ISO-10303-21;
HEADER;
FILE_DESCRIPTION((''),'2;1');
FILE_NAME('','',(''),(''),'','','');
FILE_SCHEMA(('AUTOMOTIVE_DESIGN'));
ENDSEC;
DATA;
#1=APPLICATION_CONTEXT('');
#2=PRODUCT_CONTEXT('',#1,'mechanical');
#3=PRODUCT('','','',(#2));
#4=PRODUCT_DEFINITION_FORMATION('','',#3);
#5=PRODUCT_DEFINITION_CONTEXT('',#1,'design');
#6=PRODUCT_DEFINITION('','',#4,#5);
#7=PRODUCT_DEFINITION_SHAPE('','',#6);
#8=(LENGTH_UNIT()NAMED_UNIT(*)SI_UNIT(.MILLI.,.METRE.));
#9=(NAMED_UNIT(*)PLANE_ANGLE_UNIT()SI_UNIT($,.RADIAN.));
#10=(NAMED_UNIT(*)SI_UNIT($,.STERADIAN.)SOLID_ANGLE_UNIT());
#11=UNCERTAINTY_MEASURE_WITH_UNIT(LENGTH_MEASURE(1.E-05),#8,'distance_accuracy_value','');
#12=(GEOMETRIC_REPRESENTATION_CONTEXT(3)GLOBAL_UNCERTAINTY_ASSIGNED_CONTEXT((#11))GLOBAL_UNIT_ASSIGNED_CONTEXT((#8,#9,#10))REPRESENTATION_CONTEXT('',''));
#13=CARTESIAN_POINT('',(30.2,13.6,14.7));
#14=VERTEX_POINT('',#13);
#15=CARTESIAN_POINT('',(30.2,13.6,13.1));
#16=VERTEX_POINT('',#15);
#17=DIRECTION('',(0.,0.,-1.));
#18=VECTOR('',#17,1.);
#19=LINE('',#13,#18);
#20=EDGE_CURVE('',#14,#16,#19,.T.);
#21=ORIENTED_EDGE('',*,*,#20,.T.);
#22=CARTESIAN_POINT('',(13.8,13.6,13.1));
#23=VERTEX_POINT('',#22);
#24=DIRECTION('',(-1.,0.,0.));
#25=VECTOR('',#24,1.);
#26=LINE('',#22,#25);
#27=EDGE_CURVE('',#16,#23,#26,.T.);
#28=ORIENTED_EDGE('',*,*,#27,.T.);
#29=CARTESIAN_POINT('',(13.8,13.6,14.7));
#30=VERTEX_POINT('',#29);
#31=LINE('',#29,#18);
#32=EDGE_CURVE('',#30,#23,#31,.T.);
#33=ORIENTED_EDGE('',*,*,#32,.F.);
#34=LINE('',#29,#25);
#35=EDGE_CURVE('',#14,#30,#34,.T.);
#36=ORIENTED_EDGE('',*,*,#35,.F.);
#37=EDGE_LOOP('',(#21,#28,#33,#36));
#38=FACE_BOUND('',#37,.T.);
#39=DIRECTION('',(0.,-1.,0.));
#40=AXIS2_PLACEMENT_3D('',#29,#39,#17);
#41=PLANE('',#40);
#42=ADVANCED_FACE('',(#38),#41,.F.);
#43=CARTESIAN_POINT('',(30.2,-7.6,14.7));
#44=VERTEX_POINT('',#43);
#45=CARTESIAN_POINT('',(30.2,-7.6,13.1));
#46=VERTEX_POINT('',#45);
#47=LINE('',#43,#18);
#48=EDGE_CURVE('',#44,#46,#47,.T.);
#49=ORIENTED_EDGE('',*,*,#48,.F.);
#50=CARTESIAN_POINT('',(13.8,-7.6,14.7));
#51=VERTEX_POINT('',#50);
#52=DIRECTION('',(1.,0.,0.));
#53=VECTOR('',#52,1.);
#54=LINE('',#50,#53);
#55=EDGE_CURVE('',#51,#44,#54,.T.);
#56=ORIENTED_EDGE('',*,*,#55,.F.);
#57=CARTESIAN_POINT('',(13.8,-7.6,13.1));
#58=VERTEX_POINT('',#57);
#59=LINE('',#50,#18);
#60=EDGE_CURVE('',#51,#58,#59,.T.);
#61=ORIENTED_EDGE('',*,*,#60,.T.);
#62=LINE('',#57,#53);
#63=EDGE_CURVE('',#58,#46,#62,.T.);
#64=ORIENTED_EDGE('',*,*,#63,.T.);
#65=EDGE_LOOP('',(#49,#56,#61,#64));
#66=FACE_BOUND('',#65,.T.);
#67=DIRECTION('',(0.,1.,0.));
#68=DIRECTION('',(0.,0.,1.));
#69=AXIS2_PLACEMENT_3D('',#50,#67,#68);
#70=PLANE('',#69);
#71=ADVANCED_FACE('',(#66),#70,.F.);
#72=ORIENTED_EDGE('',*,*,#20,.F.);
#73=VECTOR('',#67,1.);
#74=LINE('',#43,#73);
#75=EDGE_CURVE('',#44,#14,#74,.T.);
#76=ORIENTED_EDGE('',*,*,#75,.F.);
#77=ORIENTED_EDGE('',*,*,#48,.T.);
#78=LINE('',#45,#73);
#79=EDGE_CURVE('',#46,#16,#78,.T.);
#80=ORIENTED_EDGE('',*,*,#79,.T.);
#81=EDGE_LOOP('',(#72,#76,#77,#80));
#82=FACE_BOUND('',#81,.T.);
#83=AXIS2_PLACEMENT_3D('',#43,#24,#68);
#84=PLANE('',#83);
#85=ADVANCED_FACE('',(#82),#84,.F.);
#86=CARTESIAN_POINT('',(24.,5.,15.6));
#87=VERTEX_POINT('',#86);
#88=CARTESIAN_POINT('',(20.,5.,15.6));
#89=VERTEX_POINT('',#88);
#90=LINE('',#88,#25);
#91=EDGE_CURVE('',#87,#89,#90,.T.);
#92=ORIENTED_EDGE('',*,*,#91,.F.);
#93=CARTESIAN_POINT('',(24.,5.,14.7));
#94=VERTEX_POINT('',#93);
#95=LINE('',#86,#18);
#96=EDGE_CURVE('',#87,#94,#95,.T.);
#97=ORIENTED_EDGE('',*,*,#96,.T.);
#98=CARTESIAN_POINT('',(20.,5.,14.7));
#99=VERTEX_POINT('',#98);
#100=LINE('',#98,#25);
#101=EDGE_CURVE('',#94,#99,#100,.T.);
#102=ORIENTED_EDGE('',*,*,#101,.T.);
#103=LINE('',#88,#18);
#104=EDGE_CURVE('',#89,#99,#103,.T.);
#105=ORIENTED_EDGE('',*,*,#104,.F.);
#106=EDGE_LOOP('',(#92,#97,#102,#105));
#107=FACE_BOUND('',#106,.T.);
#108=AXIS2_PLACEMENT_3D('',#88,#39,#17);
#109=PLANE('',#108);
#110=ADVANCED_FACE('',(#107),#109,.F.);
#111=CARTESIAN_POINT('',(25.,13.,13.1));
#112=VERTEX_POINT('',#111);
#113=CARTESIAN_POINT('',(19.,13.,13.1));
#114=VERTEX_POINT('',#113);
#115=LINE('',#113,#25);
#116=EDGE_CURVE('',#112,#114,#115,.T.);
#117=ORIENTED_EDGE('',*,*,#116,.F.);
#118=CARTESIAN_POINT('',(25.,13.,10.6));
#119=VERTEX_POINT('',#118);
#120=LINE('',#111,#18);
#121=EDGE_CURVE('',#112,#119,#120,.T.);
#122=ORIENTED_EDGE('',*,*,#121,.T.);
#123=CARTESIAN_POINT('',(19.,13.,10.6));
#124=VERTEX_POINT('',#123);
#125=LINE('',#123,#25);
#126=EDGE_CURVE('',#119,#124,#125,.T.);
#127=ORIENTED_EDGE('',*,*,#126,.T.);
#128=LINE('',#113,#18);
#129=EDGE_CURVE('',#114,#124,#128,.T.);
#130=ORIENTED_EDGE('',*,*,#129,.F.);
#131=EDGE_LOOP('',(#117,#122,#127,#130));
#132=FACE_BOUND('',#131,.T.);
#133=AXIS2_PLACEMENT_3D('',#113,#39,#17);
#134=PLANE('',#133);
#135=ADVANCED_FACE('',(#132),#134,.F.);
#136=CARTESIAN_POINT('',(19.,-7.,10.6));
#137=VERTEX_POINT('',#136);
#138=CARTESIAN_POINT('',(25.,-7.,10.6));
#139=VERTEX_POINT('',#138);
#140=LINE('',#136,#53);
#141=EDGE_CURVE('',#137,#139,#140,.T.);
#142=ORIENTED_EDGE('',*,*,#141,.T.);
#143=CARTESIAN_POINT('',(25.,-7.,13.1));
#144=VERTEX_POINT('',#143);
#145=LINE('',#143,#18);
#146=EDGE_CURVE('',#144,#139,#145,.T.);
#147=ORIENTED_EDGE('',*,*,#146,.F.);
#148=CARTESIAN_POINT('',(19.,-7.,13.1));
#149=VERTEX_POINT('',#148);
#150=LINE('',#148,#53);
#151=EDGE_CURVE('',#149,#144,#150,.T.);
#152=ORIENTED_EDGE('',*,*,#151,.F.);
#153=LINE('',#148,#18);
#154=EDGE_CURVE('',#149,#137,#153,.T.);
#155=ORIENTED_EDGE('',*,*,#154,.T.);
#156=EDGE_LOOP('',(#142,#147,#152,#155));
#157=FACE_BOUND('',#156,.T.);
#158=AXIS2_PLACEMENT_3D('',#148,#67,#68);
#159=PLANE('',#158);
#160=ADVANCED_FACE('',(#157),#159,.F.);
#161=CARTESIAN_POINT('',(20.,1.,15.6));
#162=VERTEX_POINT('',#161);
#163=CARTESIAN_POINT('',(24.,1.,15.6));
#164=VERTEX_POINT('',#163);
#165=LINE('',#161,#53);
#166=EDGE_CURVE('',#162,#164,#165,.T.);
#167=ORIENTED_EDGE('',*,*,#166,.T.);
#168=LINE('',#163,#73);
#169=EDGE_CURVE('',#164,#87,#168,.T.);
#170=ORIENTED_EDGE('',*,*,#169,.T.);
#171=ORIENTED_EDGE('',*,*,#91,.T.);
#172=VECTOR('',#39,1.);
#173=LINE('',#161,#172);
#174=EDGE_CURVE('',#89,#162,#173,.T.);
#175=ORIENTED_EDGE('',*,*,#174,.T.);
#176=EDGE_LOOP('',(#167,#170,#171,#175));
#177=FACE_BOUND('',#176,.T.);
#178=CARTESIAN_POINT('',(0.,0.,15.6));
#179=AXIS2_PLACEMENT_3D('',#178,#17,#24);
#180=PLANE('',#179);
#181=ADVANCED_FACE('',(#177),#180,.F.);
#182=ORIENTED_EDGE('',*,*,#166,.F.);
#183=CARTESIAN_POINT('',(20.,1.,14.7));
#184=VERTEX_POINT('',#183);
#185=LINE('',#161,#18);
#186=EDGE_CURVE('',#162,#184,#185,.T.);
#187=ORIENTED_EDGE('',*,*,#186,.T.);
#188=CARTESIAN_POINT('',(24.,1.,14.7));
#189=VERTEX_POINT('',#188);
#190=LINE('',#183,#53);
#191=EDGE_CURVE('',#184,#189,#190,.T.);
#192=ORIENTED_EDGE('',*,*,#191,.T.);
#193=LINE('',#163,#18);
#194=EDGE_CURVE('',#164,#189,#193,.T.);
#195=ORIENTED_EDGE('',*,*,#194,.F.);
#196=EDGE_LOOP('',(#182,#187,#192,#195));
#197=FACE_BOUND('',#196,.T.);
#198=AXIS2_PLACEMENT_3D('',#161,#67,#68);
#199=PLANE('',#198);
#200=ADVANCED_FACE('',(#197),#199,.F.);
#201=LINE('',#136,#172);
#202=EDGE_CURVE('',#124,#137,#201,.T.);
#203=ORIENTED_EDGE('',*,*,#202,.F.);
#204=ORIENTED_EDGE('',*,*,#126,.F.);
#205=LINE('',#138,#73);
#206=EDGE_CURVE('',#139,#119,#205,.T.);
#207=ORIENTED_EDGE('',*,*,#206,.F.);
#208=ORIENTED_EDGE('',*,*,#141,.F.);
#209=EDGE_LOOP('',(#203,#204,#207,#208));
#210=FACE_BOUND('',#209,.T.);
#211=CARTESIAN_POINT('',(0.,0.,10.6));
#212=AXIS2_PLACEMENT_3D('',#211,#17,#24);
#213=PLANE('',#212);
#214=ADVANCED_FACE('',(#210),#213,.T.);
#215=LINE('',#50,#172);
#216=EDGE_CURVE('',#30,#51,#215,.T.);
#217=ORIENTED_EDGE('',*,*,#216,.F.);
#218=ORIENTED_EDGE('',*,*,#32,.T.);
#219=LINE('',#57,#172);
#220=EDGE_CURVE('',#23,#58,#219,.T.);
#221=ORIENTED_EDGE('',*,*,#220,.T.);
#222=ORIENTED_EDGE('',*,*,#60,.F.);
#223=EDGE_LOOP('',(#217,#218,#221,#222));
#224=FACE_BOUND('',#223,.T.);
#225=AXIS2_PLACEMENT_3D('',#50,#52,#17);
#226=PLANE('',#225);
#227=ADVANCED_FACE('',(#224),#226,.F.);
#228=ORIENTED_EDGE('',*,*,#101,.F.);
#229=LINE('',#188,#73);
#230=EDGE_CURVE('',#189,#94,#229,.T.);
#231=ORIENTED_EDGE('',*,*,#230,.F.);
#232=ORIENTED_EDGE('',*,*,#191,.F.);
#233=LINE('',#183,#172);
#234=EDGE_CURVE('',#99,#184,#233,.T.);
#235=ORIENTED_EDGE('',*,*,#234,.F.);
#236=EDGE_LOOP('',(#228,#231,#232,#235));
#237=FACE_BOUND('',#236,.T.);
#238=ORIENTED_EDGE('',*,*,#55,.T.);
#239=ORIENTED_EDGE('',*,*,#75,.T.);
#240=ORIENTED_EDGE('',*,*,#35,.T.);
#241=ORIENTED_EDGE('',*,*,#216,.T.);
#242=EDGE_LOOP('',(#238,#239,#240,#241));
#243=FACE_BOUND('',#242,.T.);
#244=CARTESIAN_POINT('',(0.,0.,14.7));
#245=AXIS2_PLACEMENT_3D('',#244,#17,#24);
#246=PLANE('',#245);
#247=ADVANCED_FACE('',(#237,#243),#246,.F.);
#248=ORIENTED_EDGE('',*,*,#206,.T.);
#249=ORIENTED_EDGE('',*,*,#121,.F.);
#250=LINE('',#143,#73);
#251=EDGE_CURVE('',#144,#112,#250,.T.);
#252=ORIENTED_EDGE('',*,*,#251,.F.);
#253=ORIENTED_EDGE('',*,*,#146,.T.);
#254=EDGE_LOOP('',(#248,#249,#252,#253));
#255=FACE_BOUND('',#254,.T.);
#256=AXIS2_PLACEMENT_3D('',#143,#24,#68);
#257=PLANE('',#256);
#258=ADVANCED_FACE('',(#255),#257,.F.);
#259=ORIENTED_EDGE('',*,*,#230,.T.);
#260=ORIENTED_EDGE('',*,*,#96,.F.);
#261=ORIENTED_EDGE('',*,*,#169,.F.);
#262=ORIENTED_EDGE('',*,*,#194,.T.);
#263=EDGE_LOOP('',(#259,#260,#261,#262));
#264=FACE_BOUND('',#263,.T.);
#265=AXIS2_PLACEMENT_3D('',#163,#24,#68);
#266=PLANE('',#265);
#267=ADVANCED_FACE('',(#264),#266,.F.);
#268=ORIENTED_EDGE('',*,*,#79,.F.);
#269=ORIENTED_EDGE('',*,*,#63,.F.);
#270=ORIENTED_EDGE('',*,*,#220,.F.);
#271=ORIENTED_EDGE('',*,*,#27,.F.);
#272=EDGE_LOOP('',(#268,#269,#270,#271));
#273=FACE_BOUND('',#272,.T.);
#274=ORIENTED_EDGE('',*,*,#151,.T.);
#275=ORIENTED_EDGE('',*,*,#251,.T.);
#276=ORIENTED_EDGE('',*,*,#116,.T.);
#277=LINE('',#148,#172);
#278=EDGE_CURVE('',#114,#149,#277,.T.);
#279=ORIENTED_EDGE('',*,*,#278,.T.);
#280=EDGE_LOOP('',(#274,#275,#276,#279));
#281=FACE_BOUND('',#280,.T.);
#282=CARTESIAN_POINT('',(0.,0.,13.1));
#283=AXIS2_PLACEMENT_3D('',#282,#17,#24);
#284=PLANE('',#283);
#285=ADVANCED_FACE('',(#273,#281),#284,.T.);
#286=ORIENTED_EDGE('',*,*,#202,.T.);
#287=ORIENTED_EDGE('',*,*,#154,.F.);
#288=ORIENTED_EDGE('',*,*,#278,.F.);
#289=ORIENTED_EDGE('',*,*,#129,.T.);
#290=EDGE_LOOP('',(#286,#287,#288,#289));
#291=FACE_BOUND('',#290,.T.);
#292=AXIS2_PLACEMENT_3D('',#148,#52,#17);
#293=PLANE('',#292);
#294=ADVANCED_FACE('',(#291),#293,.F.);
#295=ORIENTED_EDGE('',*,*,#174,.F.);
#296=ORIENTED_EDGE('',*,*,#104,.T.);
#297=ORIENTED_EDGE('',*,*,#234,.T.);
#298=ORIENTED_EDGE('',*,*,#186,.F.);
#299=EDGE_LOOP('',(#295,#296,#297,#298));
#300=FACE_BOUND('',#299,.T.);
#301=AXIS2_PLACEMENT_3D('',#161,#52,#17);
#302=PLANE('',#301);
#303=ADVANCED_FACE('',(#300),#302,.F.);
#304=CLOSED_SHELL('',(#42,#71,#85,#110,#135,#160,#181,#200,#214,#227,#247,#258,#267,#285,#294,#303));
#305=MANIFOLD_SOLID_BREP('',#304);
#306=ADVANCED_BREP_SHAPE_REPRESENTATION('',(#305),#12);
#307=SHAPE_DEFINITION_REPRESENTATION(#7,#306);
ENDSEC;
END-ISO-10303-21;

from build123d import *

# Parameters (mm, degrees)
SKETCH1_W           = 16.4
SKETCH1_H           = 21.2
BOSS_EXTRUDE1_DEPTH = 1.6
SKETCH2_W           = 6
SKETCH2_H           = 20
BOSS_EXTRUDE2_DEPTH = 2.5
SKETCH3_W           = 4
SKETCH3_H           = 4
BOSS_EXTRUDE3_DEPTH = 0.9


with BuildPart() as part:
    # Sketch1 → Boss-Extrude1 (new body)
    with BuildSketch(Plane.XY.offset(13.1)):
        with Locations((22, 3)):
            Rectangle(SKETCH1_W, SKETCH1_H)
    extrude(amount=BOSS_EXTRUDE1_DEPTH)

    # Sketch2 → Boss-Extrude2 (add)
    with BuildSketch(Plane.XY.offset(10.6)):
        with Locations((22, 3)):
            Rectangle(SKETCH2_W, SKETCH2_H)
    extrude(amount=BOSS_EXTRUDE2_DEPTH)

    # Sketch3 → Boss-Extrude3 (add)
    with BuildSketch(Plane.XY.offset(14.7)):
        with Locations((22, 3)):
            Rectangle(SKETCH3_W, SKETCH3_H)
    extrude(amount=BOSS_EXTRUDE3_DEPTH)


solid = part.part
